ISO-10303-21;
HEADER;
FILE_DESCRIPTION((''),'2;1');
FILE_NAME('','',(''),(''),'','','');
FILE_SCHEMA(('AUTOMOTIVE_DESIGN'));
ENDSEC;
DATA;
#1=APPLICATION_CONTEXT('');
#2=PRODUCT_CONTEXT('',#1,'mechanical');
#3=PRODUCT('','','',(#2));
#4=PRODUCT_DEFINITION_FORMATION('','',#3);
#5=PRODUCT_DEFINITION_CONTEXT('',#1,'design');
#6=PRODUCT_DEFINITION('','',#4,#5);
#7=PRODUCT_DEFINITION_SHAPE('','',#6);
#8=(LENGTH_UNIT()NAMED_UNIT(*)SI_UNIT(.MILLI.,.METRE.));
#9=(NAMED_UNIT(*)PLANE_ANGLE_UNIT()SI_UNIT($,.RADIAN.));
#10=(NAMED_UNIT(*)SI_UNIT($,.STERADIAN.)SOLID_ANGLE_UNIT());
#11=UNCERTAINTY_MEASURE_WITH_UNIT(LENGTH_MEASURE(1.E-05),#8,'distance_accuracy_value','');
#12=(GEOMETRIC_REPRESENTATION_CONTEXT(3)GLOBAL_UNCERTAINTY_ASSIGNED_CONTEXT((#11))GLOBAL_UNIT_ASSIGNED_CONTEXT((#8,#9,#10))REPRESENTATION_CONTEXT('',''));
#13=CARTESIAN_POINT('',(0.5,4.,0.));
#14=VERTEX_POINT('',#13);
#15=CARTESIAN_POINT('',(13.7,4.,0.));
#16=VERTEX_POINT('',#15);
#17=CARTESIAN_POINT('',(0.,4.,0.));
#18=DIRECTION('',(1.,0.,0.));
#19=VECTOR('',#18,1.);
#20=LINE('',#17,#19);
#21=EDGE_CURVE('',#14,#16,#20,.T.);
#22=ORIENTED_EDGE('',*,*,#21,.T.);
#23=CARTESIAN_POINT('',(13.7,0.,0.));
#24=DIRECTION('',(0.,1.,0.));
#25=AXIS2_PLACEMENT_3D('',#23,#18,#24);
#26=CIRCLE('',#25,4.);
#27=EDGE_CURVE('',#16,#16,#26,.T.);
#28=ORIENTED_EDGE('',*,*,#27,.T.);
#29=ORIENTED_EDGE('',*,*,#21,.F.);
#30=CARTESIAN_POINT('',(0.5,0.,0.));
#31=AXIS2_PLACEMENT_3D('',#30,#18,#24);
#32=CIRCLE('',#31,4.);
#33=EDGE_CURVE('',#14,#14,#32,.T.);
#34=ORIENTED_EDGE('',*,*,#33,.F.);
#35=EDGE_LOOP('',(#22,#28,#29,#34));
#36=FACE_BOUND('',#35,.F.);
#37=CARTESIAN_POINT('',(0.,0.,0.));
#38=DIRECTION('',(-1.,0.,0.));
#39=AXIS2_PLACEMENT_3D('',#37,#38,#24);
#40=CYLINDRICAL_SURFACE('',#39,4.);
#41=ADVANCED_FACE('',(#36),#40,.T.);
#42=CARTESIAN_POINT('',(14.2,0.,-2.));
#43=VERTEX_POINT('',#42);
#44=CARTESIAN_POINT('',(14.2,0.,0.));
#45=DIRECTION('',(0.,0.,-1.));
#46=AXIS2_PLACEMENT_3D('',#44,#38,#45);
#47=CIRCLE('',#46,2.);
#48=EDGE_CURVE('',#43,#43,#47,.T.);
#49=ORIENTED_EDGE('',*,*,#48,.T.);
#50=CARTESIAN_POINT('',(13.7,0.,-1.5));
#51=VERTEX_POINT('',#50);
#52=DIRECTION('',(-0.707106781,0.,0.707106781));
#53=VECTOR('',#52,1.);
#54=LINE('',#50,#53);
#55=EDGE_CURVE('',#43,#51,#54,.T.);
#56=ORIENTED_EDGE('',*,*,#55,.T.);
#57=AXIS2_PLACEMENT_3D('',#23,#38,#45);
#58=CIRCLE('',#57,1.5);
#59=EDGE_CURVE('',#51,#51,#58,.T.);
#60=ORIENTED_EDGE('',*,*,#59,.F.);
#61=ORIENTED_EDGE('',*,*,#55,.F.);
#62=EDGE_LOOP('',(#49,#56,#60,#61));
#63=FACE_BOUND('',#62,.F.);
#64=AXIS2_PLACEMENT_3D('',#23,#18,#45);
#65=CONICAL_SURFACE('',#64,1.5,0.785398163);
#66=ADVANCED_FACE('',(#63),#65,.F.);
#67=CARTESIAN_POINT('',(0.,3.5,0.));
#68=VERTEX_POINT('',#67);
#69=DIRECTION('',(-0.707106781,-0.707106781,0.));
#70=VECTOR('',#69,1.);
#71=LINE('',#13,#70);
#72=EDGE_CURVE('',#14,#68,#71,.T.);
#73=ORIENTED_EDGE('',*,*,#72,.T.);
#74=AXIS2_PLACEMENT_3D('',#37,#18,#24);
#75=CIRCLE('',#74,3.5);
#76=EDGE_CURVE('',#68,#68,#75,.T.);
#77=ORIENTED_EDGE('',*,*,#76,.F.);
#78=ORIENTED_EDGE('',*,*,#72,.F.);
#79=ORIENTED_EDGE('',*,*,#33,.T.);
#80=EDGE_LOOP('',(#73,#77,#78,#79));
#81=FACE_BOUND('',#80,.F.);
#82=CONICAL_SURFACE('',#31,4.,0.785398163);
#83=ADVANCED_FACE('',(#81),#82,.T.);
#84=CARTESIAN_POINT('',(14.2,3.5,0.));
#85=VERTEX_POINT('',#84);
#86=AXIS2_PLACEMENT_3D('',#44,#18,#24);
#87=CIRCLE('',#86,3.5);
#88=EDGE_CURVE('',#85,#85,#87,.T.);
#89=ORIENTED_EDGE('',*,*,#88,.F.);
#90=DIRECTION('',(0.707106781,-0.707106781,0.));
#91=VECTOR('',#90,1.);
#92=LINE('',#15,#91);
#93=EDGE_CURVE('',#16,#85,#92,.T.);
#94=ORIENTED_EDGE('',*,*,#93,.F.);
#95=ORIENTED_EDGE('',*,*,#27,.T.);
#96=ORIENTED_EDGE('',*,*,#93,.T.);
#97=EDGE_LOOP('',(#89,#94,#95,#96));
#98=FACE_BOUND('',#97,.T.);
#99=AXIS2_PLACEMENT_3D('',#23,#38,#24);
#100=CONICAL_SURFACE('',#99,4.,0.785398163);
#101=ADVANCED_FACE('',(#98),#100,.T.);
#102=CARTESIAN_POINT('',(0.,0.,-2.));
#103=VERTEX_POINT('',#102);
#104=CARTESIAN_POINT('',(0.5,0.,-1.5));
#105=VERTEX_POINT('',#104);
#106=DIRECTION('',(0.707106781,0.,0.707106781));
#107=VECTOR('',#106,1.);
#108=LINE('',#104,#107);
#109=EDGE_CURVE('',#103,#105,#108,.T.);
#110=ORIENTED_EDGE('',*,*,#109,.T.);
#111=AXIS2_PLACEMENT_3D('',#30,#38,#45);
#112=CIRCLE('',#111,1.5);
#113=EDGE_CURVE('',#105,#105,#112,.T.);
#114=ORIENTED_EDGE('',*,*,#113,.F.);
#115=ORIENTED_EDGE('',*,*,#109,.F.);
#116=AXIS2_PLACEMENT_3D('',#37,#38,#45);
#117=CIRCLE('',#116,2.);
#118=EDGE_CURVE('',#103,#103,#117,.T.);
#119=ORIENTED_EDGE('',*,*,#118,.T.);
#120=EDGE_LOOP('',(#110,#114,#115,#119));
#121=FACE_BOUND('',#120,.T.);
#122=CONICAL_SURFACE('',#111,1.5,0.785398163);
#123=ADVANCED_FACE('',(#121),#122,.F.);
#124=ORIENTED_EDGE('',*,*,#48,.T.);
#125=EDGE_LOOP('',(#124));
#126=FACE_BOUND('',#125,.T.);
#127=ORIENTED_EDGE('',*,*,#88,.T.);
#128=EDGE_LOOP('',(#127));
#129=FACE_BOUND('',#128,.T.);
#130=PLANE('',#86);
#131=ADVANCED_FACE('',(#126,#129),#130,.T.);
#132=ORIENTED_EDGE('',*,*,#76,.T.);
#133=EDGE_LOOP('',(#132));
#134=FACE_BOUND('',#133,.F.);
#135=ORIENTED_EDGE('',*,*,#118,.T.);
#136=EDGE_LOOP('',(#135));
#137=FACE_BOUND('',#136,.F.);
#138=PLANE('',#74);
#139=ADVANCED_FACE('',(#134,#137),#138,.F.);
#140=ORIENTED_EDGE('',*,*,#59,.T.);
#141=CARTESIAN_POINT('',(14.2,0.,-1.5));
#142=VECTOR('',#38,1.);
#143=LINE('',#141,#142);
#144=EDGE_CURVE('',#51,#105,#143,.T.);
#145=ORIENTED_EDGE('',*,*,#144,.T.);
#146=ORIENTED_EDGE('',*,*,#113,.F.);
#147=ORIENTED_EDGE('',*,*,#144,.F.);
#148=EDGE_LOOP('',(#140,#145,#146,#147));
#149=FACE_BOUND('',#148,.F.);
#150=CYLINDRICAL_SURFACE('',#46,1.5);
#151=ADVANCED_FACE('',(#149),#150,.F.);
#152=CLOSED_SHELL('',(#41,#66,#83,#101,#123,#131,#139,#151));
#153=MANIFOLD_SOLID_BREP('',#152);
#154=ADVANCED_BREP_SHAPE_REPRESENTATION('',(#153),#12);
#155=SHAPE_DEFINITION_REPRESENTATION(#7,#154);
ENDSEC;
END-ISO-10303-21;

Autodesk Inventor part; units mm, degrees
ref_plane "YZ Plane" through (0, 0, 0) normal (1, 0, 0) x (0, 1, 0)
ref_plane "XZ Plane" through (0, 0, 0) normal (0, 1, 0) x (-1, 0, 0)
ref_plane "XY Plane" through (0, 0, 0) normal (0, 0, 1) x (1, 0, 0)
sketch "Sketch1" plane through (0, 0, 0) normal (1, 0, 0) x (0, 1, 0)
  circle A0 centre (0, 0) radius 4
  dimension "d0" = 8
extrude "Extrusion1" add sketch "Sketch1" along normal blind 14.2
sketch "Sketch2" plane through (14.2, 0, 0) normal (1, 0, 0) x (0, 0, -1)
  circle A0 centre (0, 0) radius 4 projected
hole "Hole1" at (14.2, 0, 0) direction (-1, 0, 0) diameter 3 end through all clearance for "Socket Head Cap Screw" size "M3" standard "Ansi Metric M Profile"
chamfer "Chamfer1" distance 0.5 angle 45 4 edges at (0, -4, 0) (0, 0, 1.5) (14.2, 0, 1.5) (14.2, -4, 0)
properties part number "Rear Fan Spacer"
